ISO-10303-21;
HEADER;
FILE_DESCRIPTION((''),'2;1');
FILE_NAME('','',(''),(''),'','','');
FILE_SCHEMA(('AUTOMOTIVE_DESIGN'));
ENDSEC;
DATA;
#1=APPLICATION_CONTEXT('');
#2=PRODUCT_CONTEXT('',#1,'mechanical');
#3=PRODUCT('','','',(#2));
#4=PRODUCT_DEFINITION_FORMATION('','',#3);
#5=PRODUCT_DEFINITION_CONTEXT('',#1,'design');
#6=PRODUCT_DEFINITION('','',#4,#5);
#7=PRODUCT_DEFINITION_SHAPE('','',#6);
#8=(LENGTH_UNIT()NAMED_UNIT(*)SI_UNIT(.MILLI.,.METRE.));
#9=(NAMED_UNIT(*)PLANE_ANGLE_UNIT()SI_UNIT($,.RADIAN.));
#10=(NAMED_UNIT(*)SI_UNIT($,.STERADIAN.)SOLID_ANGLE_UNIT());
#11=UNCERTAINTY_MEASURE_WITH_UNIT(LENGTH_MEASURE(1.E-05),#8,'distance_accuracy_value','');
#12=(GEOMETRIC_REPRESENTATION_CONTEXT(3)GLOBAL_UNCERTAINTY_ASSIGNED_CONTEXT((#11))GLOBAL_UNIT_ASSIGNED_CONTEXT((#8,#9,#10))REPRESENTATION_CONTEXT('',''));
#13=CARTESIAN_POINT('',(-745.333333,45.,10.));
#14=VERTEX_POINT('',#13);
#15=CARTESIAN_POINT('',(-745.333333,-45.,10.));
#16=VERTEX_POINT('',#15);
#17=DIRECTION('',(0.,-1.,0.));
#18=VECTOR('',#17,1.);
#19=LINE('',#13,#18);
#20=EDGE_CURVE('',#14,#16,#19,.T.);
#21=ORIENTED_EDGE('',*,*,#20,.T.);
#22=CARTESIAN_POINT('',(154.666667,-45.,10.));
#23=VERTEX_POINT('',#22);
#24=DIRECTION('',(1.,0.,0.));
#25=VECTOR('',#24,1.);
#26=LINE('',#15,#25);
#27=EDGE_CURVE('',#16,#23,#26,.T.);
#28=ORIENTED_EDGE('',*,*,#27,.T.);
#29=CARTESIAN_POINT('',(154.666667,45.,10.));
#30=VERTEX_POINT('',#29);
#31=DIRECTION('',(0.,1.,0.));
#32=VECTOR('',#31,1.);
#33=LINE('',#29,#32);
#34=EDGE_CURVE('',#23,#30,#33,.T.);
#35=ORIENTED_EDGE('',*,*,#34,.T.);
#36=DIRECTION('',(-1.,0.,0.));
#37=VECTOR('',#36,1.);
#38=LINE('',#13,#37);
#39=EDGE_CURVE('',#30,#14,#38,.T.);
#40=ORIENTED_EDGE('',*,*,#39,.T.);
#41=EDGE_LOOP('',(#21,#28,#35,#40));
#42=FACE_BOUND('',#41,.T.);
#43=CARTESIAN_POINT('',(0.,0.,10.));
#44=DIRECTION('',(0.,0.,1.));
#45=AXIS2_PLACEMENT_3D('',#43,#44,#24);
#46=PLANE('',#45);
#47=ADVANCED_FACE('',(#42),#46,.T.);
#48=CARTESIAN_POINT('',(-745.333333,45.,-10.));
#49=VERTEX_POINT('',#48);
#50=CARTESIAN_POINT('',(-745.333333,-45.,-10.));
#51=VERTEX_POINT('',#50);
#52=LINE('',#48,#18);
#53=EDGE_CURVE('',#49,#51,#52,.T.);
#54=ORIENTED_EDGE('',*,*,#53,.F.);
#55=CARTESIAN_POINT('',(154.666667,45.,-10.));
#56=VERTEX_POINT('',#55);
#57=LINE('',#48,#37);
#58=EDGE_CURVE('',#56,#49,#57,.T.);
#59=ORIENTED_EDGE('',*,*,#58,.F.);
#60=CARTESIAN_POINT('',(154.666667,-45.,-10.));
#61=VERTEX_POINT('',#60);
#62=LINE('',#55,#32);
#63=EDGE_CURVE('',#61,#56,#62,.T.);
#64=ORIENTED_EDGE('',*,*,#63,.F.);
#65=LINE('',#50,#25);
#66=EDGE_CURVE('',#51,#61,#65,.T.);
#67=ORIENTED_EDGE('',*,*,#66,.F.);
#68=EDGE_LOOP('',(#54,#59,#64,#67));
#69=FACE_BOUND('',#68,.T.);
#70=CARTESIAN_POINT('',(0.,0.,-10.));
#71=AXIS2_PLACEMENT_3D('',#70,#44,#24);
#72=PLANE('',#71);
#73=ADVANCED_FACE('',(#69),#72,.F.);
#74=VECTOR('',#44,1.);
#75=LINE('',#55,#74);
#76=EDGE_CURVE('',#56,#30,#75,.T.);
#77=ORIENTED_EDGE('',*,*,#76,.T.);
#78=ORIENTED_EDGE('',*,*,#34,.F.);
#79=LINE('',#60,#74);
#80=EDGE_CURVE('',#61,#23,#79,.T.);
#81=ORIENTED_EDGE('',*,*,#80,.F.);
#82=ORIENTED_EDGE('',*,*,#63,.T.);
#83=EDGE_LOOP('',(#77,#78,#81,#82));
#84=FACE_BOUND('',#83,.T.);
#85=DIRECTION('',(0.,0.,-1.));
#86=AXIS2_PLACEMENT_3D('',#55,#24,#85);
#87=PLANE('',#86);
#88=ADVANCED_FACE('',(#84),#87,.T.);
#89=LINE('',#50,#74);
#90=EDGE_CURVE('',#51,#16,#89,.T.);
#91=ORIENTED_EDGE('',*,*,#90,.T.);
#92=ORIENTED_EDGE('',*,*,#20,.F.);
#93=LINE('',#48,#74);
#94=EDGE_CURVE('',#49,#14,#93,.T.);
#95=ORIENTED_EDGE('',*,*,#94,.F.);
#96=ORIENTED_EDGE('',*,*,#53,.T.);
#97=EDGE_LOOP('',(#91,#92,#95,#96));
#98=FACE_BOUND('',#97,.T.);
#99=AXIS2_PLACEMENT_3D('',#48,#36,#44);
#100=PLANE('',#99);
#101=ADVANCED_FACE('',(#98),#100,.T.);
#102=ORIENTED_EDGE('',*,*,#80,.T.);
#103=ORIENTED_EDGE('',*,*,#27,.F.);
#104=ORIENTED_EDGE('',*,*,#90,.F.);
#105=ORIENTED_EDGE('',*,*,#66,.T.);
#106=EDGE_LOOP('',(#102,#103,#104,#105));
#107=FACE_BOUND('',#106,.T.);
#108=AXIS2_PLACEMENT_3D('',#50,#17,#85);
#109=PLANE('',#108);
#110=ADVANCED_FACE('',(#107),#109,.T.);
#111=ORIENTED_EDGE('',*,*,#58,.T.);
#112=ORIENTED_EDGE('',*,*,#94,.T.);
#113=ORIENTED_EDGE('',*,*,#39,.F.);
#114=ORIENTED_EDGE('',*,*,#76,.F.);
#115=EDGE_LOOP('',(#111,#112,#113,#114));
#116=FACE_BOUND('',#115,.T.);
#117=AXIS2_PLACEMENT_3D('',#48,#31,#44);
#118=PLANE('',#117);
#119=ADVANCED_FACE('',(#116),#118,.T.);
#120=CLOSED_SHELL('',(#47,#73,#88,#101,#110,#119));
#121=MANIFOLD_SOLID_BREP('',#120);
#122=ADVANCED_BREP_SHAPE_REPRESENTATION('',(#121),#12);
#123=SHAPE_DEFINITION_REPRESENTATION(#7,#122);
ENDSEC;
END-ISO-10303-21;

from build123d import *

# Parameters (mm, degrees)
BOSS_EXTRUDE1_DEPTH      = 10
BOSS_EXTRUDE1_DEPTH_BACK = 10
SKETCH1_W                = 900
SKETCH1_H                = 90


with BuildPart() as part:
    # Sketch1 → Boss-Extrude1 (new, two sides: drawn at the far end of the back side and taken through both)
    with BuildSketch(Plane.XY.offset(-BOSS_EXTRUDE1_DEPTH_BACK)):
        with Locations((-295.333333333, 0)):
            Rectangle(SKETCH1_W, SKETCH1_H)
    extrude(amount=BOSS_EXTRUDE1_DEPTH + BOSS_EXTRUDE1_DEPTH_BACK)


solid = part.part
